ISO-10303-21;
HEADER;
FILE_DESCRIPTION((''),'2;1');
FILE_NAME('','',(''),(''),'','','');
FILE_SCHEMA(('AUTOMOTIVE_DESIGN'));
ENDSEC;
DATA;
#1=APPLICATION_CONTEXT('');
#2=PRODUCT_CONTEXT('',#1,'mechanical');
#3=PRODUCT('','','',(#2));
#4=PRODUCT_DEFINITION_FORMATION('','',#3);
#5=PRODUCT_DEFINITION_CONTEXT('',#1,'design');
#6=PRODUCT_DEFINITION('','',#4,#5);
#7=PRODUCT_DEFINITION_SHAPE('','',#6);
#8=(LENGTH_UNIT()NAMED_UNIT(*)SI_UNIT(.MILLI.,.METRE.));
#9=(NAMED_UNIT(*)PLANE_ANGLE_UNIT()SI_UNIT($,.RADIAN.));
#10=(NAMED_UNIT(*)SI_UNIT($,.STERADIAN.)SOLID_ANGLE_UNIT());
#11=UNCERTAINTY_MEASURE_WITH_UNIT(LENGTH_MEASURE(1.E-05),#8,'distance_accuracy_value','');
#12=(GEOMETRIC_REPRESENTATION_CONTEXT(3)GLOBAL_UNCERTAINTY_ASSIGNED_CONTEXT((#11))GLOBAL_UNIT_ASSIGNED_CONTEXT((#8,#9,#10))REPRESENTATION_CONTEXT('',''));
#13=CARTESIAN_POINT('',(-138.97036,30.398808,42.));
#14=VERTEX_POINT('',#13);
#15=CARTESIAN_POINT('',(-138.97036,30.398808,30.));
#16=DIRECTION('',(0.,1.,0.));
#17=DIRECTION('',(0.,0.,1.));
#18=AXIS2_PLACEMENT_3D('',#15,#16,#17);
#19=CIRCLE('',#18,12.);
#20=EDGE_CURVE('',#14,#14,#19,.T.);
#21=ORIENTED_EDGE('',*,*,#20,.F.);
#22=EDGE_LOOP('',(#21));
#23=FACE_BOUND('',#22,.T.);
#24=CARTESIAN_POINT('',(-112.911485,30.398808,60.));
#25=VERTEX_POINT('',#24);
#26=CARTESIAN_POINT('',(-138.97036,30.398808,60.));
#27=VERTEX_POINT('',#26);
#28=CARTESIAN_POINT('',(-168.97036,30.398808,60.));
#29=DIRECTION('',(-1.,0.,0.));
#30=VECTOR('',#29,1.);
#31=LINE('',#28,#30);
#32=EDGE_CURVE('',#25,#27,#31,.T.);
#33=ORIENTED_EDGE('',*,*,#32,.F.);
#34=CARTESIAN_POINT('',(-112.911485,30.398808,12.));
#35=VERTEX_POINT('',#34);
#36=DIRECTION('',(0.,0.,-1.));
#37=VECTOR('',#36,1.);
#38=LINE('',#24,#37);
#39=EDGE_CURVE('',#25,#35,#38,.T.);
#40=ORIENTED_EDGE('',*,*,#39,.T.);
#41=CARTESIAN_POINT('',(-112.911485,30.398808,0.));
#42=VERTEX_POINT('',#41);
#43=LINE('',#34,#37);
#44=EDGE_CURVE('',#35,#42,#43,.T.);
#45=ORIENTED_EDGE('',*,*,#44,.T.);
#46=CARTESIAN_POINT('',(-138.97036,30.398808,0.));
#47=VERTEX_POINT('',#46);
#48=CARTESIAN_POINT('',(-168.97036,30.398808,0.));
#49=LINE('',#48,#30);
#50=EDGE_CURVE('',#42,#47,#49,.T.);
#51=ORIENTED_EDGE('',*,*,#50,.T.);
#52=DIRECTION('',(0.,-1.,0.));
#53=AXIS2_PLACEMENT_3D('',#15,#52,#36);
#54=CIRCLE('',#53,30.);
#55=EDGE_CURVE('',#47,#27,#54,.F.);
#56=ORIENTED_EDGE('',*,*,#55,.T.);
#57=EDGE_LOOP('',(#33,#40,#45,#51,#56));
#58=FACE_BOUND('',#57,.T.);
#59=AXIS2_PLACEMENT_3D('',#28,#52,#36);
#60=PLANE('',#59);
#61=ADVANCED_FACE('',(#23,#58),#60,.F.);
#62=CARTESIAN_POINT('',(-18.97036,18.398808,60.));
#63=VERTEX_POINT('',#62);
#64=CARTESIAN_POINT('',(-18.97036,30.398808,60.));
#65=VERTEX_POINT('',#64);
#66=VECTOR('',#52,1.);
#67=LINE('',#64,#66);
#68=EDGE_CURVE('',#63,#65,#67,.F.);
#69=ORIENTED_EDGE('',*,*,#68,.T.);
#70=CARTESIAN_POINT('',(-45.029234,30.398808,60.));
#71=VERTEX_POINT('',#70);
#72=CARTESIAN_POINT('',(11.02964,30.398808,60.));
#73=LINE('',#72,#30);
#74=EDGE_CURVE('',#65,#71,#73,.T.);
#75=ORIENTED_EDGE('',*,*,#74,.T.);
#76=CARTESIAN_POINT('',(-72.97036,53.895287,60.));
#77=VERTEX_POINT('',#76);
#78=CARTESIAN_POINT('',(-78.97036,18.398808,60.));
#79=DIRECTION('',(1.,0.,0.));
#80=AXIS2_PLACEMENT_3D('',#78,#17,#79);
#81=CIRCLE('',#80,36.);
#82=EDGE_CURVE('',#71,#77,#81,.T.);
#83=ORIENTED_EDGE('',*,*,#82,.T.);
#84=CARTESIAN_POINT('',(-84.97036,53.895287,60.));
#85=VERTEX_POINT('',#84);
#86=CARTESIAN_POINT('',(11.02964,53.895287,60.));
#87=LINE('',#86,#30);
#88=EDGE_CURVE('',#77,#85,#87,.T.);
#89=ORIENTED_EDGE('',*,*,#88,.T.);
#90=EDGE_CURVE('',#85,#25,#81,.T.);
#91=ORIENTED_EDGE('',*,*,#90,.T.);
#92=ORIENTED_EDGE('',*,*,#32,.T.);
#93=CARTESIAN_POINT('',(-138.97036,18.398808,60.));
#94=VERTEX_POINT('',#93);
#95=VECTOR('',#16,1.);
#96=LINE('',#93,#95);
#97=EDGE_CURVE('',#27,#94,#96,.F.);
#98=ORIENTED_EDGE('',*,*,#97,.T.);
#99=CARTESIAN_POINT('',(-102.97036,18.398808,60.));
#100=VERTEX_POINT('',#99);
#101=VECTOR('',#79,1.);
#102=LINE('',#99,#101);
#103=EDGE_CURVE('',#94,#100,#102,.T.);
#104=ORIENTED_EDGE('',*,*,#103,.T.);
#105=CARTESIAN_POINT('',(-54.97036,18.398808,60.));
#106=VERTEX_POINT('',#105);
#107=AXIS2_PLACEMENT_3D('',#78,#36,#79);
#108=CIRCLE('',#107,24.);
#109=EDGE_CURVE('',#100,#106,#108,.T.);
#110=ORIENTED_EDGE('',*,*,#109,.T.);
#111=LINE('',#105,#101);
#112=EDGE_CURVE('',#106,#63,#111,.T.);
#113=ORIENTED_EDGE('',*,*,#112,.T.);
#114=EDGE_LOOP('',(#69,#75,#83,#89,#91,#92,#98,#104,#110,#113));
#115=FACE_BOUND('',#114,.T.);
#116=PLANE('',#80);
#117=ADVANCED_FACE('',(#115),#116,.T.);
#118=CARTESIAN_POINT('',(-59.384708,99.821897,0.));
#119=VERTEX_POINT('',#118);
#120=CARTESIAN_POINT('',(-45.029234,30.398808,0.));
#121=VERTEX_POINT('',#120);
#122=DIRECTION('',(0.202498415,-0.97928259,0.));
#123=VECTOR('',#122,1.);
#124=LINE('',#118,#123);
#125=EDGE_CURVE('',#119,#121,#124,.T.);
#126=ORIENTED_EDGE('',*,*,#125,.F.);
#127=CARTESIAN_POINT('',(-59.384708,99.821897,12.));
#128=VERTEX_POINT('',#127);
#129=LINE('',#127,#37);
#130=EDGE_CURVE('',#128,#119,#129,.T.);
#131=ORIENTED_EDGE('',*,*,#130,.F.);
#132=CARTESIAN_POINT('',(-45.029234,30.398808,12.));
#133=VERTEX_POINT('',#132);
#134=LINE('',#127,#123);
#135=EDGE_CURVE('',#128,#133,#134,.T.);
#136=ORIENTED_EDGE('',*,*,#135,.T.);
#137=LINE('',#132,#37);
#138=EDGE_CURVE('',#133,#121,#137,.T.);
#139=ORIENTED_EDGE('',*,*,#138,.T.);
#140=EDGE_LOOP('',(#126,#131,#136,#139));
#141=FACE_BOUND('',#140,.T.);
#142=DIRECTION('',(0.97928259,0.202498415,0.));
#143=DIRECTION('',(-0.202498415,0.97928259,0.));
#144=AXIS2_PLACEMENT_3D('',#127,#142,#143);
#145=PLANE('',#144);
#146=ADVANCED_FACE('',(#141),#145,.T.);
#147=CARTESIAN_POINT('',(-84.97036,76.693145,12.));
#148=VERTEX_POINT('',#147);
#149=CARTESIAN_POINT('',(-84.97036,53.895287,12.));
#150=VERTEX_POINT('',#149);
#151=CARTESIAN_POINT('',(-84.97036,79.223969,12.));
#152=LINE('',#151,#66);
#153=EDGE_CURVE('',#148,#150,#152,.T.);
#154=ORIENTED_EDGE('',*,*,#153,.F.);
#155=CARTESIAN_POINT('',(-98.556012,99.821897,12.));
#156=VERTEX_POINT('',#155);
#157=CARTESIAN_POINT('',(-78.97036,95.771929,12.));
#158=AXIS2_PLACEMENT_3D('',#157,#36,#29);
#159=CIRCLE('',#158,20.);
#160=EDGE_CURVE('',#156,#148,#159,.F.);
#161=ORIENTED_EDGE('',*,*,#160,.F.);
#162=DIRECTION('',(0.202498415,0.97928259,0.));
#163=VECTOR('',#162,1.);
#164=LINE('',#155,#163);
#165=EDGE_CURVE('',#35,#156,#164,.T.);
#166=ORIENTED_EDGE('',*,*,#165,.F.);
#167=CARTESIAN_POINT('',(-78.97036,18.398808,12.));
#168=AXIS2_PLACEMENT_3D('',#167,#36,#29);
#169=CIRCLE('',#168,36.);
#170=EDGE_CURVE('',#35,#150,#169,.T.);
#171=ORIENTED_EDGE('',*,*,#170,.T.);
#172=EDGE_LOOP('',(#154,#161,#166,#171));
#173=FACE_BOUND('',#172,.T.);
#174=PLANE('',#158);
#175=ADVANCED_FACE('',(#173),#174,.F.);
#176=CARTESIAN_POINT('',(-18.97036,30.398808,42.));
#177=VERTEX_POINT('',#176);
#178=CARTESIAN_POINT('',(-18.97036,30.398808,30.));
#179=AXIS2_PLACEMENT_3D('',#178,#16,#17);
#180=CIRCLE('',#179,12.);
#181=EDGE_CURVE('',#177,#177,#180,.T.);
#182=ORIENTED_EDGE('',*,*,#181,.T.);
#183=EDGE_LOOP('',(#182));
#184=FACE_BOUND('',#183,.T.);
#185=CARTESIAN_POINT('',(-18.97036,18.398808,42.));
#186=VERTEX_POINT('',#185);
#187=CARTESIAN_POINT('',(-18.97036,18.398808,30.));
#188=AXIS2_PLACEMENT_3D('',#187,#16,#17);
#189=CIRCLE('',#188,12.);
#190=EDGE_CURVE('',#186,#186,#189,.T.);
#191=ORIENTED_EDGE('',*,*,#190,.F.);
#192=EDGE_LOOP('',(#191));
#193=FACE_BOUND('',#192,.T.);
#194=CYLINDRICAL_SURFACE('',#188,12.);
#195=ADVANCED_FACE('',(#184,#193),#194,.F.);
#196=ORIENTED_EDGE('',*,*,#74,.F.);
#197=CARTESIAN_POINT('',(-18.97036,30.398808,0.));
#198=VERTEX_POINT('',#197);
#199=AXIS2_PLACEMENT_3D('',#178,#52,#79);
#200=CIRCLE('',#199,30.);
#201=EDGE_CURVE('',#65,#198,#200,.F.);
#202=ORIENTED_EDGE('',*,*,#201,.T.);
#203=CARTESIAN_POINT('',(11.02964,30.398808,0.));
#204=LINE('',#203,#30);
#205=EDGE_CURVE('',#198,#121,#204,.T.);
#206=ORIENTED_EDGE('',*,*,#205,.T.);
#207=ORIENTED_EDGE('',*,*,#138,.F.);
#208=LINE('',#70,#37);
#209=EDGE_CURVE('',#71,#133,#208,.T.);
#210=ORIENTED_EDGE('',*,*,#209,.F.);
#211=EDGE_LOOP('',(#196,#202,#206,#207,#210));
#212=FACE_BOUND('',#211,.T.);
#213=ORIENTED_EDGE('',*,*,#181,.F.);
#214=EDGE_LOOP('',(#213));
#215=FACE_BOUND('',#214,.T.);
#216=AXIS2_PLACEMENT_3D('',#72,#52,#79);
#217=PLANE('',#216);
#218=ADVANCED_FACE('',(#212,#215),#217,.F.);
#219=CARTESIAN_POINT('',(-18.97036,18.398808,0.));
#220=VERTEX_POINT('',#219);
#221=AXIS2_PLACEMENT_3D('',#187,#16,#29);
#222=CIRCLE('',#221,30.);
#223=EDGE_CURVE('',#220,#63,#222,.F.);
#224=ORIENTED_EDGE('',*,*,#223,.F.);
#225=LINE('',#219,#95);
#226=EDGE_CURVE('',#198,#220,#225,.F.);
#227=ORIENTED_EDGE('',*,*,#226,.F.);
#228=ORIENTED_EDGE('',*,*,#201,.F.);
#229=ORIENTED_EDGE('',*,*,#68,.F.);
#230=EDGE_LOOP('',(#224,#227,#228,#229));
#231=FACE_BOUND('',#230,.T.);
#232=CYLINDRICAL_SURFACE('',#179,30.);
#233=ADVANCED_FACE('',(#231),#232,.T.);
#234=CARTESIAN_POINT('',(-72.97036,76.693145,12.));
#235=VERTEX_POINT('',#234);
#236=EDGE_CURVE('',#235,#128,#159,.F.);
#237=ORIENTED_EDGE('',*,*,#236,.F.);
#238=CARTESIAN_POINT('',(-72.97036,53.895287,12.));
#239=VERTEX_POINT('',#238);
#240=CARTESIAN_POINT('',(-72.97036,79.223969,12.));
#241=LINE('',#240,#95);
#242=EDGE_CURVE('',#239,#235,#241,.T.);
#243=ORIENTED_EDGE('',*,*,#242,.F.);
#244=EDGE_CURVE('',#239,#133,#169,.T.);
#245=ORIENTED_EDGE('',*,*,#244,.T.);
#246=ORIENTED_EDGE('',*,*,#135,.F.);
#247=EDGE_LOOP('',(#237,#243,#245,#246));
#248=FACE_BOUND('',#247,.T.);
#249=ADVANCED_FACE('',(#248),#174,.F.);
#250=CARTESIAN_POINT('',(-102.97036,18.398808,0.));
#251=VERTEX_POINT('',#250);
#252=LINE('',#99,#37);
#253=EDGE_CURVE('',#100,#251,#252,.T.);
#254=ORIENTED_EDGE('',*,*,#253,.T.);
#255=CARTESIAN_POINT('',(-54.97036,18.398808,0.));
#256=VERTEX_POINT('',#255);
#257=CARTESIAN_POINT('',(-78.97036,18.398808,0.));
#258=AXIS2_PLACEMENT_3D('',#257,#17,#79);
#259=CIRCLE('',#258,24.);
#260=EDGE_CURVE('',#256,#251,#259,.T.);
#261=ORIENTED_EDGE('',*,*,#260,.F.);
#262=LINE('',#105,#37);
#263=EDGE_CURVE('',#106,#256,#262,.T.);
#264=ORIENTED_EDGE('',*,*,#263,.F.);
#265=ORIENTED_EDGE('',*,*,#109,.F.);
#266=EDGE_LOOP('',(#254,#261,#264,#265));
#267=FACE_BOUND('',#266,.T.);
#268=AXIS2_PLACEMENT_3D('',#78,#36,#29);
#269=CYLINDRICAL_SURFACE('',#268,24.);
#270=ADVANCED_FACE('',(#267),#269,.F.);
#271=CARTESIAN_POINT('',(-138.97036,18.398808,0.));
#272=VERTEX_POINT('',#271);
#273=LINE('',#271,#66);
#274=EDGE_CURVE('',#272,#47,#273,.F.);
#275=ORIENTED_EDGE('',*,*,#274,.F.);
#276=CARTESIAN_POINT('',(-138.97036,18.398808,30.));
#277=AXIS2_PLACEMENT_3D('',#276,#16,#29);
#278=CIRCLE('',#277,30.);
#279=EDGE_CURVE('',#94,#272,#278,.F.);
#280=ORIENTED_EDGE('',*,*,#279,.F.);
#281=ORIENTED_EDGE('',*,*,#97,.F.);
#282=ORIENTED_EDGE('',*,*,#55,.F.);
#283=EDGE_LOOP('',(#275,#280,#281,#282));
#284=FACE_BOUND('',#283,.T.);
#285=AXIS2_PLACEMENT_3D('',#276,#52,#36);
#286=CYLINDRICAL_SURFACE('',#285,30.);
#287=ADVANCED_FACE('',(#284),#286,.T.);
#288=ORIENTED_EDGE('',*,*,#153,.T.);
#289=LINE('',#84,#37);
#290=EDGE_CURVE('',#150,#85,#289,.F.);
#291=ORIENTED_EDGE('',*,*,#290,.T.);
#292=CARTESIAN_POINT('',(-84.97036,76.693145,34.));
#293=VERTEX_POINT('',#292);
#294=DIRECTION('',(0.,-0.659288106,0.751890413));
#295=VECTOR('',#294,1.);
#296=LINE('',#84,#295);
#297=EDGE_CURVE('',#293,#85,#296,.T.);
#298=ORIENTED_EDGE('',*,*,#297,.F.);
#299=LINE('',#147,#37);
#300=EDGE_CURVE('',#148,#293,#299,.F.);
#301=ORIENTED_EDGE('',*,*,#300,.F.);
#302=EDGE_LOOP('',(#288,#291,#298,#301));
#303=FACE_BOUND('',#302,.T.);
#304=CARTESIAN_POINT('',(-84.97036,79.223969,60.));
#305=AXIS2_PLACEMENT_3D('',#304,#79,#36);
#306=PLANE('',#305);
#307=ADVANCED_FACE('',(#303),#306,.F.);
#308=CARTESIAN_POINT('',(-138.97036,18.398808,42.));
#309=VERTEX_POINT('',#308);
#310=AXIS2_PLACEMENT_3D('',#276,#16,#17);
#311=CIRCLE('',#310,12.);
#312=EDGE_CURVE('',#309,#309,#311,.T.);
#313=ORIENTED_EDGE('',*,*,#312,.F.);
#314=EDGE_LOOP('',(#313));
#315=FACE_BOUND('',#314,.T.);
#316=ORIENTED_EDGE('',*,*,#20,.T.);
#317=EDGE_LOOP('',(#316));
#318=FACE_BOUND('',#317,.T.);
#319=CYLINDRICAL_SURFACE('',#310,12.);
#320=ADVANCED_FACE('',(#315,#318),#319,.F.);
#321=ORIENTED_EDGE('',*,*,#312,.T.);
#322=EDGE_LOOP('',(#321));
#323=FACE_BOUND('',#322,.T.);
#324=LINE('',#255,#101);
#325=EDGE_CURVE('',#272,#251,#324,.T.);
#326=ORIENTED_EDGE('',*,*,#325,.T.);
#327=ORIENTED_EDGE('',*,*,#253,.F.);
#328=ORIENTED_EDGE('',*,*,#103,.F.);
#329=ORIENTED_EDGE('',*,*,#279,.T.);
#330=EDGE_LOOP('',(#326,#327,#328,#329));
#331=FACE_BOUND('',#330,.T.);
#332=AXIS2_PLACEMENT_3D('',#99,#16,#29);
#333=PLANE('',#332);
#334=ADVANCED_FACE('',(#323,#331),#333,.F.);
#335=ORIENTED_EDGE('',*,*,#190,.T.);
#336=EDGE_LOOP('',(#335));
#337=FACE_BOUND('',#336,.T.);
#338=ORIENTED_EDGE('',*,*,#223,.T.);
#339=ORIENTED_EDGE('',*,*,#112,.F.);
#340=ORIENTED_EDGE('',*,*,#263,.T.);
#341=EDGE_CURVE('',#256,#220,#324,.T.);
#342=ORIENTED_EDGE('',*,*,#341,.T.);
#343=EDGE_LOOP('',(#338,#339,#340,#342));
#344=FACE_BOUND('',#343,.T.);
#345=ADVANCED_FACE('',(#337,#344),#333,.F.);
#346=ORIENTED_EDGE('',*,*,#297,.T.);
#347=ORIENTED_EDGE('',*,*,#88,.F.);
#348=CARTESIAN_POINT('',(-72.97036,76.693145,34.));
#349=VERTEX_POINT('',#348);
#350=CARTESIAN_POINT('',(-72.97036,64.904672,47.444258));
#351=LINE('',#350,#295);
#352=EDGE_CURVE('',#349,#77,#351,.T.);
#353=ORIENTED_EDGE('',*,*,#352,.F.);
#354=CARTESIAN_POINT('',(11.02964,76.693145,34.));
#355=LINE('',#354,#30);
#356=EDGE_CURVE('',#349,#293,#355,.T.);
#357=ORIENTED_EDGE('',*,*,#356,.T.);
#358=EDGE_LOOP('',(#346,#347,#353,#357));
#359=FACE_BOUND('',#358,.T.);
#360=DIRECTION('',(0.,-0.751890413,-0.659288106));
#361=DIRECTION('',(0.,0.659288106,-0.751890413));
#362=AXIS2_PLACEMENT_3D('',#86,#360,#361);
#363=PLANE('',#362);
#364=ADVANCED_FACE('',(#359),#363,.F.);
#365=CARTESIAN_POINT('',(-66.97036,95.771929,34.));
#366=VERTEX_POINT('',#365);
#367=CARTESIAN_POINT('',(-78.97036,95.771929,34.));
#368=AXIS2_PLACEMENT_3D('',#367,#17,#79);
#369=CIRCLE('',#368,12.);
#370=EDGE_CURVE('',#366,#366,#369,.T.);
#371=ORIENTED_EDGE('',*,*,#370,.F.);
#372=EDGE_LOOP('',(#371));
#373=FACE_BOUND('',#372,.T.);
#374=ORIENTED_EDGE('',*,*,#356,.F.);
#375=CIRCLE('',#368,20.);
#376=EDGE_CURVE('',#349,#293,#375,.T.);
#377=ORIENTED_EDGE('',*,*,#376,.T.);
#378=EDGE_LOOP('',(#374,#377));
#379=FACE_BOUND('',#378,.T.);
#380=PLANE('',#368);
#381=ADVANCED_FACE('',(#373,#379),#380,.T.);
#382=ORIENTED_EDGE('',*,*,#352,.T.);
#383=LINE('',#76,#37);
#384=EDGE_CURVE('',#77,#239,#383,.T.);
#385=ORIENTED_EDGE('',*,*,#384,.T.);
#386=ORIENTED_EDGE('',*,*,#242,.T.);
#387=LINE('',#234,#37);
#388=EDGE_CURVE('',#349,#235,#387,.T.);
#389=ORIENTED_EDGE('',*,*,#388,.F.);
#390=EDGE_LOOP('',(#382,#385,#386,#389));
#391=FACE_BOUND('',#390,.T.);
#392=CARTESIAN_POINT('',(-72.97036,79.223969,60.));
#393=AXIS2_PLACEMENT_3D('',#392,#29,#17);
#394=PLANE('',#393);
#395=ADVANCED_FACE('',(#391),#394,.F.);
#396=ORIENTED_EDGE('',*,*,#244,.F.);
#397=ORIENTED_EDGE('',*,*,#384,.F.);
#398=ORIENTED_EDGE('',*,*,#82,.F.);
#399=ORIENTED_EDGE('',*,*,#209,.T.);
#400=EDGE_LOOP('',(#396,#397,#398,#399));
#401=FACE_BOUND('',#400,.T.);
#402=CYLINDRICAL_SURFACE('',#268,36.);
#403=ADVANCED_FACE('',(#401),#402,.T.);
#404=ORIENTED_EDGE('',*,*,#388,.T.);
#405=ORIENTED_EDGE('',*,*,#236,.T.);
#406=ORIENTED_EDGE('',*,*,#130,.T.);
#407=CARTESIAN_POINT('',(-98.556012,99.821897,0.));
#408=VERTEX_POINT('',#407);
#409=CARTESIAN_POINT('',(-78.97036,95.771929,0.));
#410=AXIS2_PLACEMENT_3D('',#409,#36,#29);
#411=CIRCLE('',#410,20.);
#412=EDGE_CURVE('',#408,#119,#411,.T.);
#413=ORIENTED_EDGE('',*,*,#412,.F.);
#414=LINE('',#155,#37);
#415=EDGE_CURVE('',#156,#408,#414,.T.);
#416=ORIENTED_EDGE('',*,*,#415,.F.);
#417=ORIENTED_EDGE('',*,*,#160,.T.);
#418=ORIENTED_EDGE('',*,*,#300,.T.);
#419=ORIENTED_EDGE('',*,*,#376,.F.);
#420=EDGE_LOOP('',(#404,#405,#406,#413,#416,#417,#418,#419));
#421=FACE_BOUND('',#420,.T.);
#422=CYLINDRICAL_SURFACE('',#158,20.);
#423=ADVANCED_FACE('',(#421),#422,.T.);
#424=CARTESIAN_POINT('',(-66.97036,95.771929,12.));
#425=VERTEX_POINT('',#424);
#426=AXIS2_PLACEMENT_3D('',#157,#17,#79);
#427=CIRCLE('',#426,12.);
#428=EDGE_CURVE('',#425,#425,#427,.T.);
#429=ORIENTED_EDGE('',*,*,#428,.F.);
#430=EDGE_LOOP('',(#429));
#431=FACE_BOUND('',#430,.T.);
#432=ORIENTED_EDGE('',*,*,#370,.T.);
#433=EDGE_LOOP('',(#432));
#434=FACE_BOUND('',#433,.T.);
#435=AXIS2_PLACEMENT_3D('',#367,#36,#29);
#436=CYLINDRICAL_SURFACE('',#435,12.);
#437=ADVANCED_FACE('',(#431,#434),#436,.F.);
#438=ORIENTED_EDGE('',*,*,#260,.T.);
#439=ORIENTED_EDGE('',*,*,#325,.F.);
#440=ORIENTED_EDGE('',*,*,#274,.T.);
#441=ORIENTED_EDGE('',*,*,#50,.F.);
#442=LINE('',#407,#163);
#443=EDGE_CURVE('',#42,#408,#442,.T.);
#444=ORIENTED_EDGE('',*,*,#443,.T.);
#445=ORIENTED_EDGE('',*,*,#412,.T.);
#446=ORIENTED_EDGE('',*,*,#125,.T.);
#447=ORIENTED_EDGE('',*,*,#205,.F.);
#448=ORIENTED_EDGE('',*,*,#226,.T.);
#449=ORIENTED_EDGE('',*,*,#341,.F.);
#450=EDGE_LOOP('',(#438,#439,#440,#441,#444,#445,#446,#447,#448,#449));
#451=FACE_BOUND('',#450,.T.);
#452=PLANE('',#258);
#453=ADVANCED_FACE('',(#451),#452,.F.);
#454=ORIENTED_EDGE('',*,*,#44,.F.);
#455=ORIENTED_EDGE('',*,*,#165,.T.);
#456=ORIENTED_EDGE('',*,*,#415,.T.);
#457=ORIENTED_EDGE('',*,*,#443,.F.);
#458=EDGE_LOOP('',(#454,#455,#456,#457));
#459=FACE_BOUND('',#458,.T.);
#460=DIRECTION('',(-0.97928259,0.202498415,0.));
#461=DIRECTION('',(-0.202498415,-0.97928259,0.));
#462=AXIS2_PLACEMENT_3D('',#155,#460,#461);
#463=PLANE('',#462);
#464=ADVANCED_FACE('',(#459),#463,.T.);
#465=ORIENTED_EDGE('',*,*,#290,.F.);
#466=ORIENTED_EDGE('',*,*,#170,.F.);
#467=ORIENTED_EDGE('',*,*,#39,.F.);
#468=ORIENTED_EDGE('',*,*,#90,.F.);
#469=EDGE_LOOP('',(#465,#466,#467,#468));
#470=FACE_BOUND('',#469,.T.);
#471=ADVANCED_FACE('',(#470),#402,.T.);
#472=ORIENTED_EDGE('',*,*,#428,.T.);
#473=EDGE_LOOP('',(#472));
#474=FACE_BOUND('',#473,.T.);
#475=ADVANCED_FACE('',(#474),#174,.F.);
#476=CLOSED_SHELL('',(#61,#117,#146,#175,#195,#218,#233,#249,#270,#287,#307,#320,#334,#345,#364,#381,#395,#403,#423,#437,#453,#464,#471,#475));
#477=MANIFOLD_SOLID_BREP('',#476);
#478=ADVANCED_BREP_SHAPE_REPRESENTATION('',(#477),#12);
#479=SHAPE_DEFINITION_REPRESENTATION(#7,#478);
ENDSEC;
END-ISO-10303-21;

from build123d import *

# Parameters (mm, degrees)
Y_KSEKLIK_EKSTR_ZYON1_DEPTH = 60
RADYUS1_RADIUS              = 30
RADYUS1_LENGTH              = 12
RADYUS2_RADIUS              = 30
RADYUS2_LENGTH              = 12
IZIM3_R                     = 12
KES_EKSTR_ZYON1_DEPTH       = 181.906004531
Y_KSEKLIK_EKSTR_ZYON2_DEPTH = 12
IZIM5_R                     = 20
IZIM5_R_2                   = 12
Y_KSEKLIK_EKSTR_ZYON3_DEPTH = 22
IZIM7_W                     = 12
IZIM7_H                     = 29.711788784
Y_KSEKLIK_EKSTR_ZYON6_DEPTH = 48
KES_EKSTR_ZYON2_DEPTH       = 162.92325206
IZIM9_R                     = 24
KES_EKSTR_ZYON3_DEPTH       = 211.376144164


with BuildPart() as part:
    # Çizim1 → Yükseklik-Ekstrüzyon1 (new body)
    with BuildSketch(Plane.XY):
        with BuildLine():
            Line((-102.970359754, 18.398808471), (-168.970359754, 18.398808471))
            Line((-168.970359754, 18.398808471), (-168.970359754, 30.398808471))
            Line((-168.970359754, 30.398808471), (-112.911485251, 30.398808471))
            ThreePointArc((-112.911485251, 30.398808471), (-78.970359754, 54.398808471), (-45.029234257, 30.398808471))
            Line((-45.029234257, 30.398808471), (11.029640246, 30.398808471))
            Line((11.029640246, 30.398808471), (11.029640246, 18.398808471))
            Line((11.029640246, 18.398808471), (-54.970359754, 18.398808471))
            ThreePointArc((-54.970359754, 18.398808471), (-78.970359754, 42.398808471), (-102.970359754, 18.398808471))
        make_face()
    extrude(amount=Y_KSEKLIK_EKSTR_ZYON1_DEPTH)

    # Radyus1: full round fillet: the end face becomes a half cylinder, R = half its width
    radyus1_face = Plane((-168.970359754, 24.398808471, 30), x_dir=(0, 1, 0), z_dir=(-1, 0, 0))  # on the end face: x along it, z out of the body
    radyus1_slab = radyus1_face.offset(-RADYUS1_RADIUS / 2) * Box(RADYUS1_LENGTH, 2 * RADYUS1_RADIUS, RADYUS1_RADIUS, mode=Mode.PRIVATE)  # the body's end, R deep
    radyus1_round = Plane((-138.970359754, 24.398808471, 30), x_dir=(-1, 0, 0), z_dir=(0, 1, 0)) * Cylinder(RADYUS1_RADIUS, RADYUS1_LENGTH, mode=Mode.PRIVATE)  # its axis R under the face
    add(radyus1_slab - radyus1_round, mode=Mode.SUBTRACT)

    # Radyus2: full round fillet: the end face becomes a half cylinder, R = half its width
    radyus2_face = Plane((11.029640246, 24.398808471, 30), x_dir=(0, 1, 0), z_dir=(1, 0, 0))  # on the end face: x along it, z out of the body
    radyus2_slab = radyus2_face.offset(-RADYUS2_RADIUS / 2) * Box(RADYUS2_LENGTH, 2 * RADYUS2_RADIUS, RADYUS2_RADIUS, mode=Mode.PRIVATE)  # the body's end, R deep
    radyus2_round = Plane((-18.970359754, 24.398808471, 30), x_dir=(1, 0, 0), z_dir=(0, 1, 0)) * Cylinder(RADYUS2_RADIUS, RADYUS2_LENGTH, mode=Mode.PRIVATE)  # its axis R under the face
    add(radyus2_slab - radyus2_round, mode=Mode.SUBTRACT)

    # Çizim3 → Kes-Ekstrüzyon1 (cut, through all)
    with BuildSketch(Plane(origin=(0, 30.398808471, 0), x_dir=(1, 0, 0), z_dir=(0, 1, 0))):
        with Locations(Location((-138.970359754, -30, 0), (0, 0, 270))):
            Circle(IZIM3_R)
        with Locations(Location((-18.970359754, -30, 0), (0, 0, 270))):
            Circle(IZIM3_R)
    extrude(amount=-KES_EKSTR_ZYON1_DEPTH, mode=Mode.SUBTRACT)

    # Çizim4 → Yükseklik-Ekstrüzyon2 (add)
    with BuildSketch(Plane(origin=(0, 0, 0), x_dir=(-1, 0, 0), z_dir=(0, 0, -1))):
        with BuildLine():
            Line((59.384707946, 99.821897357), (45.029234257, 30.398808471))
            Line((45.029234257, 30.398808471), (45.029234257, 18.398808471))
            Line((45.029234257, 18.398808471), (112.911485251, 18.398808471))
            Line((112.911485251, 18.398808471), (112.911485251, 30.398808471))
            Line((112.911485251, 30.398808471), (98.556011563, 99.821897357))
            ThreePointArc((98.556011563, 99.821897357), (78.970359754, 115.771929058), (59.384707946, 99.821897357))
        make_face()
    extrude(amount=-Y_KSEKLIK_EKSTR_ZYON2_DEPTH)

    # Çizim5 → Yükseklik-Ekstrüzyon3 (add)
    with BuildSketch(Plane.XY.offset(12)):
        with Locations(Location((-78.970359754, 95.771929058, 0), (0, 0, 168.316902305))):
            Circle(IZIM5_R)
        with Locations((-78.970359754, 95.771929058)):
            Circle(IZIM5_R_2, mode=Mode.SUBTRACT)
    extrude(amount=Y_KSEKLIK_EKSTR_ZYON3_DEPTH)

    # Çizim7 → Yükseklik-Ekstrüzyon6 (add)
    with BuildSketch(Plane.XY.offset(12)):
        with Locations((-78.970359754, 64.368074617)):
            Rectangle(IZIM7_W, IZIM7_H)
    extrude(amount=Y_KSEKLIK_EKSTR_ZYON6_DEPTH)

    # Çizim8 → Kes-Ekstrüzyon2 (cut, through all)
    with BuildSketch(Plane.ZY.offset(84.970359754)):
        Polygon((34, 76.693145029), (34, 79.223969009), (60, 79.223969009), (60, 53.895287169), align=None)
    extrude(amount=-KES_EKSTR_ZYON2_DEPTH, mode=Mode.SUBTRACT)

    # Çizim9 → Kes-Ekstrüzyon3 (cut, through all)
    with BuildSketch(Plane.XY.offset(12)):
        with Locations((-78.970359754, 18.398808471)):
            Circle(IZIM9_R)
    extrude(amount=-KES_EKSTR_ZYON3_DEPTH, mode=Mode.SUBTRACT)


solid = part.part
